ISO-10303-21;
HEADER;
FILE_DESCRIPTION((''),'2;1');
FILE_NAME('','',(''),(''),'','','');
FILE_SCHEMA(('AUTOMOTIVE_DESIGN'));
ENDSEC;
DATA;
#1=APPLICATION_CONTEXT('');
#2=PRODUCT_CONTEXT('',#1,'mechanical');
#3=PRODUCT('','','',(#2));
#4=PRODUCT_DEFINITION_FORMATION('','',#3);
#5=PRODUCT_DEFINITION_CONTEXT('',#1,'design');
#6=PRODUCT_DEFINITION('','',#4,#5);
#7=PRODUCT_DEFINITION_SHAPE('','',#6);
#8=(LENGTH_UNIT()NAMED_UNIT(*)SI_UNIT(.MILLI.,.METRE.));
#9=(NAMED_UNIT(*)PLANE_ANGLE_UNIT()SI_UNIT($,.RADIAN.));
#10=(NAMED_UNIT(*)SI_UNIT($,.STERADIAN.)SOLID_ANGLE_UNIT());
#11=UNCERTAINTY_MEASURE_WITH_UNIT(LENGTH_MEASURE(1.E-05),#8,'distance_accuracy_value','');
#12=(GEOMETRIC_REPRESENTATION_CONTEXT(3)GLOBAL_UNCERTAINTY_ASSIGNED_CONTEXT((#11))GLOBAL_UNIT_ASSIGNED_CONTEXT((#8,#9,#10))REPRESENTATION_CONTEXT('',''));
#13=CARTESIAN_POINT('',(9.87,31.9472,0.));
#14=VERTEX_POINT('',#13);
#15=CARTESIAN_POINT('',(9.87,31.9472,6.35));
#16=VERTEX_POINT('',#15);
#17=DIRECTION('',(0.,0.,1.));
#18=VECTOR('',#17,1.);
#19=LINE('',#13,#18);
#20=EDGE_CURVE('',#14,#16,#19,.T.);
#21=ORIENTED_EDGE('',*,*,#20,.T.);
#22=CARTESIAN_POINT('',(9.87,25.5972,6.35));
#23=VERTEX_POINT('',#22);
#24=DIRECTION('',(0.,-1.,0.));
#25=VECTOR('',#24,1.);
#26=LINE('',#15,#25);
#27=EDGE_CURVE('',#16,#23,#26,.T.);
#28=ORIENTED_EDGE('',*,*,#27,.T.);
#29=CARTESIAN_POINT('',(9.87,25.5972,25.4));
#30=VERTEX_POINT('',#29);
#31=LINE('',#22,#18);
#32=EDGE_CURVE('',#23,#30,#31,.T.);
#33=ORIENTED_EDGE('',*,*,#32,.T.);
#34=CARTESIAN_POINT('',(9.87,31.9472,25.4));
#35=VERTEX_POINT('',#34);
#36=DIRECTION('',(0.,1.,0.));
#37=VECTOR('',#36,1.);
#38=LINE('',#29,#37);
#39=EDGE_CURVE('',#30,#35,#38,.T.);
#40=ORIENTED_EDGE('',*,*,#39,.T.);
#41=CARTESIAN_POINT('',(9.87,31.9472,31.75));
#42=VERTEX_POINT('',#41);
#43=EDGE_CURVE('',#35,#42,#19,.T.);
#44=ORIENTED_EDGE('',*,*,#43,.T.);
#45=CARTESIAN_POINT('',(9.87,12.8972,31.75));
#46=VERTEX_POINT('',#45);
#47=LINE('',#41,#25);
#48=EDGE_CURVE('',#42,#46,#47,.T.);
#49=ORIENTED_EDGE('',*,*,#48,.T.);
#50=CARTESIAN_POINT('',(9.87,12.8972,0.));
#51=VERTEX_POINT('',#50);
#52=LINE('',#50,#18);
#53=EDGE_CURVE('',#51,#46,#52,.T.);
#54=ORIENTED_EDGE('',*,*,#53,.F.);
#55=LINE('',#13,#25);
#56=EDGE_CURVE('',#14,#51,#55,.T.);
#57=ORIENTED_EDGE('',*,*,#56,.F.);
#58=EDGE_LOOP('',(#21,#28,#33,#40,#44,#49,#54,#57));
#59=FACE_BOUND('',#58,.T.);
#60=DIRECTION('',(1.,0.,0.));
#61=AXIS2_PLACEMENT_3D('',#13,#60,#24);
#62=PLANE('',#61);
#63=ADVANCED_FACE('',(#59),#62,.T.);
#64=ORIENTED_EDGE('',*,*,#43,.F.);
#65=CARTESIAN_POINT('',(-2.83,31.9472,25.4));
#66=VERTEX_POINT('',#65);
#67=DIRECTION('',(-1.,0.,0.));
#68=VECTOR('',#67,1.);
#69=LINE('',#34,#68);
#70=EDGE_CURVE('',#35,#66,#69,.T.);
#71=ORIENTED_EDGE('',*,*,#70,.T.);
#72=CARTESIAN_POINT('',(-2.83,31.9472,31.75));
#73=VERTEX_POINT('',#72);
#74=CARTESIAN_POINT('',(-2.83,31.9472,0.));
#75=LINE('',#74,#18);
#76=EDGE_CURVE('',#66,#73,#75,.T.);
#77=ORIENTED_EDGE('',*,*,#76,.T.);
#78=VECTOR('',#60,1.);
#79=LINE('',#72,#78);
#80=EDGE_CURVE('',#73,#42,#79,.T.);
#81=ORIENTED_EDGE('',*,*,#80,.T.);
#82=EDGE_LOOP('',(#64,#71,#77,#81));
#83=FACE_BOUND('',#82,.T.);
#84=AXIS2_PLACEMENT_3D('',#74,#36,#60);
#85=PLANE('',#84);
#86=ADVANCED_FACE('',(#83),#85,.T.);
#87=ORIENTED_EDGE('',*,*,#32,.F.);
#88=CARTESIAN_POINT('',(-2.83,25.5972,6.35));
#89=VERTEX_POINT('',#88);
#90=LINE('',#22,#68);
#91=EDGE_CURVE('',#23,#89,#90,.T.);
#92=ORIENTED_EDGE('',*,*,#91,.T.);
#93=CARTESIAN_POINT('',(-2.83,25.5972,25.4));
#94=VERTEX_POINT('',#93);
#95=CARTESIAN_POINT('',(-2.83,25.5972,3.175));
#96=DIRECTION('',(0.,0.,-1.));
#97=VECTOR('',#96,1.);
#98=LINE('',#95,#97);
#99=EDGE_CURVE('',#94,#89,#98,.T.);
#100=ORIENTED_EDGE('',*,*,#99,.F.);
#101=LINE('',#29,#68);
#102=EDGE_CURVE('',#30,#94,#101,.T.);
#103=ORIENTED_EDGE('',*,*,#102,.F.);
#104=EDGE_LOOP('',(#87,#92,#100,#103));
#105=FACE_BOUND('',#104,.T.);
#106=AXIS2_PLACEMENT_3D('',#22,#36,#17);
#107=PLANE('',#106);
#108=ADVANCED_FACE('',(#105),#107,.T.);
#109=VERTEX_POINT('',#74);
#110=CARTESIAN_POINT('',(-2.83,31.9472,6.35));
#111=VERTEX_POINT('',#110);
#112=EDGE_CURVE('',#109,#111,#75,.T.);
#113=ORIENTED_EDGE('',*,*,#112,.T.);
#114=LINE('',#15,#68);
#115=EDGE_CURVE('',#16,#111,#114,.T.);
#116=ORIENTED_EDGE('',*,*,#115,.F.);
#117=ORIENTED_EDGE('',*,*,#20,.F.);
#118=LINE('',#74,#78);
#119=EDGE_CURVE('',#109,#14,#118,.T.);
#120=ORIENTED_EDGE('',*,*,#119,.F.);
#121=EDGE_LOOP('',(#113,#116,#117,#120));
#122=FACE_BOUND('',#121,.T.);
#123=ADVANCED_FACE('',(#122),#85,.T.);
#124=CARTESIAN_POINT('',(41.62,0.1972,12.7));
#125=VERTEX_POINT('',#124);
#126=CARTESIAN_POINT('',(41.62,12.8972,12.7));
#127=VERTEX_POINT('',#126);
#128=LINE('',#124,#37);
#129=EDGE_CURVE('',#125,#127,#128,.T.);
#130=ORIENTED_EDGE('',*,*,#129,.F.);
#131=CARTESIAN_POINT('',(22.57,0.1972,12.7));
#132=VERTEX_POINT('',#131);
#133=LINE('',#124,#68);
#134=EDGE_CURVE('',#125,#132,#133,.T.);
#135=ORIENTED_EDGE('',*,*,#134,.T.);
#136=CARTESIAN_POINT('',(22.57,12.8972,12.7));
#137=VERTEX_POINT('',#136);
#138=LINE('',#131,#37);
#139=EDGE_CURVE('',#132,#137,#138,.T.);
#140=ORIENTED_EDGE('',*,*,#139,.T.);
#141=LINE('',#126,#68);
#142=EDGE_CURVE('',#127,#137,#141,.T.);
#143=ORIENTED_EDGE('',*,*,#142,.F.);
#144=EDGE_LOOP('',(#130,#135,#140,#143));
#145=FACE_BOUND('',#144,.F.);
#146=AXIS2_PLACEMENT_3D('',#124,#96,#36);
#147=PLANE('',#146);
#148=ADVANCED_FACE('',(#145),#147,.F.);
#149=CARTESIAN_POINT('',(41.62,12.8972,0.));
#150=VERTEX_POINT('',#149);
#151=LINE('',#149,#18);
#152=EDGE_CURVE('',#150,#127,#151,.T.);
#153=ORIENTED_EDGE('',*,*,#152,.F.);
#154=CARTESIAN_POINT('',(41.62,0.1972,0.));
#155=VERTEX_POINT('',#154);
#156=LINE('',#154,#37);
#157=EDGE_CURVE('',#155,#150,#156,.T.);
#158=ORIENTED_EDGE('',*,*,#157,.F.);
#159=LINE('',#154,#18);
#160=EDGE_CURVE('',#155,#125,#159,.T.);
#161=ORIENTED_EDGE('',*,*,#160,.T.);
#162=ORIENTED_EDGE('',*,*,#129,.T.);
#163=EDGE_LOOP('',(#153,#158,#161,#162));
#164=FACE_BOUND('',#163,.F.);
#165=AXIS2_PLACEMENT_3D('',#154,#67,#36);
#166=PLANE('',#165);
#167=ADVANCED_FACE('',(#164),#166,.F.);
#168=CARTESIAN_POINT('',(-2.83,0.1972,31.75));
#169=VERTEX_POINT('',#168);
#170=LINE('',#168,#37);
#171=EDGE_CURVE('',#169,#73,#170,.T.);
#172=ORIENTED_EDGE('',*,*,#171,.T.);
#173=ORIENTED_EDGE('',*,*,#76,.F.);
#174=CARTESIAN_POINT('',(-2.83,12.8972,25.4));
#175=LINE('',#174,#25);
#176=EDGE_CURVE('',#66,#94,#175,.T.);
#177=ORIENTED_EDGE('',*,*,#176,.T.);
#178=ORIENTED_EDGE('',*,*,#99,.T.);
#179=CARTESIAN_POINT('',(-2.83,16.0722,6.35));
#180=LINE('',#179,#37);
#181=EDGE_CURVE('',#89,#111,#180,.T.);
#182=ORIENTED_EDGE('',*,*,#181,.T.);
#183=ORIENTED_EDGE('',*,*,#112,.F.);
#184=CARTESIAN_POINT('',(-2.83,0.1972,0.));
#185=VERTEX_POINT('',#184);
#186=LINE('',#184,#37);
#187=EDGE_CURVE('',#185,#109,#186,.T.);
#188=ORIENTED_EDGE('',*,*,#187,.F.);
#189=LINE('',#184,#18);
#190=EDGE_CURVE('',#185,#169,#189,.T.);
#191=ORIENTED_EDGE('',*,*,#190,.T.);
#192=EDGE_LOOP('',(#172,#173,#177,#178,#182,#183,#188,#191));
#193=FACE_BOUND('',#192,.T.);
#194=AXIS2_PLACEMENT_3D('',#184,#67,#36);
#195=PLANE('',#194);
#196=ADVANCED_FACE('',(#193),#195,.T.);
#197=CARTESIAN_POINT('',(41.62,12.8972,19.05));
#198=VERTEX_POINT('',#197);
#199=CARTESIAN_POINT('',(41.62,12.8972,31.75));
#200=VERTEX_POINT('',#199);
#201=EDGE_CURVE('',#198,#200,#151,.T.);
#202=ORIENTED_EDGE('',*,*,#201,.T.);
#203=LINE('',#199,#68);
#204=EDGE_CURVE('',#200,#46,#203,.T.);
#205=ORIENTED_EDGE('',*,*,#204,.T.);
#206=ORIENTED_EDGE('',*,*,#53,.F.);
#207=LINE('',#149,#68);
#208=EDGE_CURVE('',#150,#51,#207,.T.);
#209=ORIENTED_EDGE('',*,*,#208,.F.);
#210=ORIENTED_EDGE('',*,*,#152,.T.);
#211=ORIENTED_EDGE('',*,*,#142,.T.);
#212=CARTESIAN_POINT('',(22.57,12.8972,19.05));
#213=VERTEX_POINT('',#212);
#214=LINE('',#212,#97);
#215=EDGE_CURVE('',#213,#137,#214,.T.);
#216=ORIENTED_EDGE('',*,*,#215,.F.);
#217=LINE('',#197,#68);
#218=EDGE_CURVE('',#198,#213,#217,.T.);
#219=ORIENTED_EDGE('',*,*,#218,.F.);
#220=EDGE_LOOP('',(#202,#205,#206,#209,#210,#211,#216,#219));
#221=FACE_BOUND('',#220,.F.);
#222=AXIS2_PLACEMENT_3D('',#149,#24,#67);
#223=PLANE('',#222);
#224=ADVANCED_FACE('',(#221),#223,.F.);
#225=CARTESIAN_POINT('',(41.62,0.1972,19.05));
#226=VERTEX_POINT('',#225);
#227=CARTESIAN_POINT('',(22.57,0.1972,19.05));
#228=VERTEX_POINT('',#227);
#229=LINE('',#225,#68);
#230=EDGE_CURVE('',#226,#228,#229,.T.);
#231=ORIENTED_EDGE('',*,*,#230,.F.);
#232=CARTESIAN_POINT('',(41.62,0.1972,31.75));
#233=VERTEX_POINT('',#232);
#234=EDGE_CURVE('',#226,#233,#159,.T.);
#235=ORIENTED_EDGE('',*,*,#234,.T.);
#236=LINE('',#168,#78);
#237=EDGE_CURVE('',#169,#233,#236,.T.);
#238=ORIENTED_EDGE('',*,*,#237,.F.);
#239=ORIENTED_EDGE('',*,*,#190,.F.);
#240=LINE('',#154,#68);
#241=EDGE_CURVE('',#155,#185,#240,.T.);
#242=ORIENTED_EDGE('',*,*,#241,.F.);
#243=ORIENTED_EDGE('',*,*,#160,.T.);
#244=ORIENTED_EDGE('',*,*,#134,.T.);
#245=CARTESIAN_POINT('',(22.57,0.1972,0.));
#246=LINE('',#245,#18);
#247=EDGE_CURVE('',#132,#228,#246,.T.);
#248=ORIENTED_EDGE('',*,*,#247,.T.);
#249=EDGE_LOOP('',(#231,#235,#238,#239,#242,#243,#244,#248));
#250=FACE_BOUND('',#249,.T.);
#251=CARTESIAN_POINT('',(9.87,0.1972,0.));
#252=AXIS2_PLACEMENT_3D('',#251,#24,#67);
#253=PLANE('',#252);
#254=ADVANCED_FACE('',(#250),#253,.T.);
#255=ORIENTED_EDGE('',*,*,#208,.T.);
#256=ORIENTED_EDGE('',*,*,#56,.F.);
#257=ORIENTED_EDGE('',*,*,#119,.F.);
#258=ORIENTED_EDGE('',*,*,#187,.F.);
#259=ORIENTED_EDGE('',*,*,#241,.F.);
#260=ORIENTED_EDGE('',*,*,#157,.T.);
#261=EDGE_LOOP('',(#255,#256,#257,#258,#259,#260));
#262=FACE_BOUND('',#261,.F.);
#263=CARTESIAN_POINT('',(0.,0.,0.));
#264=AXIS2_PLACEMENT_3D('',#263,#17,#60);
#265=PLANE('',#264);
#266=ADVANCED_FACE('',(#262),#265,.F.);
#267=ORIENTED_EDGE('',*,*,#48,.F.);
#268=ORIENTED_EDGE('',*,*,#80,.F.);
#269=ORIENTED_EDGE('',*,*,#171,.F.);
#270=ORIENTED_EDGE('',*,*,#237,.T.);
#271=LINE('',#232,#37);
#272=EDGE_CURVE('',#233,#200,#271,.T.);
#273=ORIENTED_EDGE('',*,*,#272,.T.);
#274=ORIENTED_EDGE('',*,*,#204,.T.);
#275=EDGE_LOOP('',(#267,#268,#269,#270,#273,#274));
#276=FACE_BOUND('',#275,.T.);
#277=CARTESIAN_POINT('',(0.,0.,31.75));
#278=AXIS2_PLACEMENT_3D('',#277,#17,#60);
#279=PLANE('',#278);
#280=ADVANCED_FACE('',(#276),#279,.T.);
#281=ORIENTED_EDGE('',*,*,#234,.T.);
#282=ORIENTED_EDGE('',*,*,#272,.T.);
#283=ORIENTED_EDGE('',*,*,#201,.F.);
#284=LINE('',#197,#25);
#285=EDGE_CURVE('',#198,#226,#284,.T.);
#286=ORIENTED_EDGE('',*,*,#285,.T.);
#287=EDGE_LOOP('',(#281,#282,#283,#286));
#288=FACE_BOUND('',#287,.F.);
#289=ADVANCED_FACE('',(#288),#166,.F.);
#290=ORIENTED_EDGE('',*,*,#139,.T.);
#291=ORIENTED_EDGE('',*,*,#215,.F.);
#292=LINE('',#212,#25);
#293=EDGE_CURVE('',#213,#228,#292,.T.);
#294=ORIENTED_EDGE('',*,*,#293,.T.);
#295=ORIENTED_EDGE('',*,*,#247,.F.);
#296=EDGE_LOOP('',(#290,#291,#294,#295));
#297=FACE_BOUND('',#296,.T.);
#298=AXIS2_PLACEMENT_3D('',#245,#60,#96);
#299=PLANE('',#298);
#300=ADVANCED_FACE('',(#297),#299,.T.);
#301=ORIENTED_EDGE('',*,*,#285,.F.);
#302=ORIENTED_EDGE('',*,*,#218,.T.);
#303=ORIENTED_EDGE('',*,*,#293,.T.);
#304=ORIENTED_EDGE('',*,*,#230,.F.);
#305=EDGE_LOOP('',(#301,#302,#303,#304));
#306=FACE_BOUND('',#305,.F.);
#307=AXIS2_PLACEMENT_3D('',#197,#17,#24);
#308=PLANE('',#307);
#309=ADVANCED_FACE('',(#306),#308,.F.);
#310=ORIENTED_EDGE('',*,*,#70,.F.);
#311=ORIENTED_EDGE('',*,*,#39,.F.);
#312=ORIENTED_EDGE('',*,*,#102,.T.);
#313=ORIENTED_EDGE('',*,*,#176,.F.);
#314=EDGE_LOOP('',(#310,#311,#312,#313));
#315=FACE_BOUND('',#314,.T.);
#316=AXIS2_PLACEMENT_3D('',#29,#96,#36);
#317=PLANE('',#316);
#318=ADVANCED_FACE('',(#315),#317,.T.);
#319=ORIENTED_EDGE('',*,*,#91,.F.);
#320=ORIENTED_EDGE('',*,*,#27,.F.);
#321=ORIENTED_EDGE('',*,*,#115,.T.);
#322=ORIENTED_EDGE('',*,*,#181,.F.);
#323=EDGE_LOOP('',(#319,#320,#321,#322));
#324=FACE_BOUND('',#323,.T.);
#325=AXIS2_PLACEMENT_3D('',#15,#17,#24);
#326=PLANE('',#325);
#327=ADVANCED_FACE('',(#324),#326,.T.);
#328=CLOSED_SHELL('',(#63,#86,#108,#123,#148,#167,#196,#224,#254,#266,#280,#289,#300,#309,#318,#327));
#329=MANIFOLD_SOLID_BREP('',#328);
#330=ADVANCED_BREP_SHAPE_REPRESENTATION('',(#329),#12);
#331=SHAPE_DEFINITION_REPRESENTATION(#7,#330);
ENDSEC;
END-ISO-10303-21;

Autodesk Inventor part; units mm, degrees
ref_plane "YZ Plane" through (0, 0, 0) normal (1, 0, 0) x (0, 1, 0)
ref_plane "XZ Plane" through (0, 0, 0) normal (0, 1, 0) x (-1, 0, 0)
ref_plane "XY Plane" through (0, 0, 0) normal (0, 0, 1) x (1, 0, 0)
sketch "Sketch1" plane through (0, 0, 0) normal (0, 0, 1) x (1, 0, 0)
  line L0 (-2.83, 31.9472) -> (9.87, 31.9472)
  line L1 (9.87, 31.9472) -> (9.87, 12.8972)
  line L2 (9.87, 0.1972) -> (-2.83, 0.1972)
  line L3 (-2.83, 0.1972) -> (-2.83, 31.9472)
  line L4 (9.87, 12.8972) -> (9.8204, 12.9735)
  line L5 (9.87, 0.1972) -> (41.62, 0.1972)
  line L6 (41.62, 0.1972) -> (41.62, 12.8972)
  line L7 (41.62, 12.8972) -> (9.87, 12.8972)
  point P0 (0, 0)
  dimension "d0" = 12.7
  dimension "d1" = 31.75
  dimension "d4" = 31.75
  dimension "d5" = 12.7
  dimension "d6" = 12.7
  dimension "d17" = 44.45
extrude "Extrusion1" add sketch "Sketch1" along normal blind 31.75
sketch "Sketch2" plane through (41.62, 0.1972, 0) normal (1, 0, 0) x (0, 0, -1)
  line L0 (-31.75, 0) -> (-31.75, 12.7) projected
  line L1 (-31.75, 12.7) -> (-15.875, 12.7)
  line L2 (0, 12.7) -> (-31.75, 12.7) projected
  line L3 (0, 0) -> (-31.75, 0) projected
  line L4 (-12.7, 12.7) -> (-19.05, 12.7)
  line L5 (-19.05, 12.7) -> (-19.05, 0)
  line L6 (-19.05, 0) -> (-12.7, 0)
  line L7 (-12.7, 0) -> (-12.7, 12.7)
  point P0 (0, -0.1972)
  dimension "d11" = 15.875
  dimension "d13" = 6.35
  dimension "d14" = 3.175
extrude "Extrusion2" cut sketch "Sketch2" against normal blind 19.05 contours L5 L1 L2 L7 L3
sketch "Sketch3" plane through (9.87, 12.8972, 0) normal (1, 0, 0) x (0, 0, -1)
  line L0 (-31.75, 19.05) -> (-25.4, 19.05)
  line L1 (0, 19.05) -> (-31.75, 19.05) projected
  line L2 (0, 19.05) -> (-6.35, 19.05)
  line L3 (-25.4, 19.05) -> (-6.35, 19.05)
  line L4 (-6.35, 19.05) -> (-6.35, 12.7)
  line L5 (-6.35, 12.7) -> (-25.4, 12.7)
  line L6 (-25.4, 12.7) -> (-25.4, 19.05)
  point P0 (0, -12.8972)
  dimension "d18" = 6.35
  dimension "d19" = 6.35
  dimension "d20" = 6.35
extrude "Extrusion3" cut sketch "Sketch3" against normal through all
sketch "Sketch4" plane through (0, 0, 31.75) normal (0, 0, 1) x (1, 0, 0)
  point P0 (0, 0)
properties part number "arthurWeiActivity 7.1#1"
